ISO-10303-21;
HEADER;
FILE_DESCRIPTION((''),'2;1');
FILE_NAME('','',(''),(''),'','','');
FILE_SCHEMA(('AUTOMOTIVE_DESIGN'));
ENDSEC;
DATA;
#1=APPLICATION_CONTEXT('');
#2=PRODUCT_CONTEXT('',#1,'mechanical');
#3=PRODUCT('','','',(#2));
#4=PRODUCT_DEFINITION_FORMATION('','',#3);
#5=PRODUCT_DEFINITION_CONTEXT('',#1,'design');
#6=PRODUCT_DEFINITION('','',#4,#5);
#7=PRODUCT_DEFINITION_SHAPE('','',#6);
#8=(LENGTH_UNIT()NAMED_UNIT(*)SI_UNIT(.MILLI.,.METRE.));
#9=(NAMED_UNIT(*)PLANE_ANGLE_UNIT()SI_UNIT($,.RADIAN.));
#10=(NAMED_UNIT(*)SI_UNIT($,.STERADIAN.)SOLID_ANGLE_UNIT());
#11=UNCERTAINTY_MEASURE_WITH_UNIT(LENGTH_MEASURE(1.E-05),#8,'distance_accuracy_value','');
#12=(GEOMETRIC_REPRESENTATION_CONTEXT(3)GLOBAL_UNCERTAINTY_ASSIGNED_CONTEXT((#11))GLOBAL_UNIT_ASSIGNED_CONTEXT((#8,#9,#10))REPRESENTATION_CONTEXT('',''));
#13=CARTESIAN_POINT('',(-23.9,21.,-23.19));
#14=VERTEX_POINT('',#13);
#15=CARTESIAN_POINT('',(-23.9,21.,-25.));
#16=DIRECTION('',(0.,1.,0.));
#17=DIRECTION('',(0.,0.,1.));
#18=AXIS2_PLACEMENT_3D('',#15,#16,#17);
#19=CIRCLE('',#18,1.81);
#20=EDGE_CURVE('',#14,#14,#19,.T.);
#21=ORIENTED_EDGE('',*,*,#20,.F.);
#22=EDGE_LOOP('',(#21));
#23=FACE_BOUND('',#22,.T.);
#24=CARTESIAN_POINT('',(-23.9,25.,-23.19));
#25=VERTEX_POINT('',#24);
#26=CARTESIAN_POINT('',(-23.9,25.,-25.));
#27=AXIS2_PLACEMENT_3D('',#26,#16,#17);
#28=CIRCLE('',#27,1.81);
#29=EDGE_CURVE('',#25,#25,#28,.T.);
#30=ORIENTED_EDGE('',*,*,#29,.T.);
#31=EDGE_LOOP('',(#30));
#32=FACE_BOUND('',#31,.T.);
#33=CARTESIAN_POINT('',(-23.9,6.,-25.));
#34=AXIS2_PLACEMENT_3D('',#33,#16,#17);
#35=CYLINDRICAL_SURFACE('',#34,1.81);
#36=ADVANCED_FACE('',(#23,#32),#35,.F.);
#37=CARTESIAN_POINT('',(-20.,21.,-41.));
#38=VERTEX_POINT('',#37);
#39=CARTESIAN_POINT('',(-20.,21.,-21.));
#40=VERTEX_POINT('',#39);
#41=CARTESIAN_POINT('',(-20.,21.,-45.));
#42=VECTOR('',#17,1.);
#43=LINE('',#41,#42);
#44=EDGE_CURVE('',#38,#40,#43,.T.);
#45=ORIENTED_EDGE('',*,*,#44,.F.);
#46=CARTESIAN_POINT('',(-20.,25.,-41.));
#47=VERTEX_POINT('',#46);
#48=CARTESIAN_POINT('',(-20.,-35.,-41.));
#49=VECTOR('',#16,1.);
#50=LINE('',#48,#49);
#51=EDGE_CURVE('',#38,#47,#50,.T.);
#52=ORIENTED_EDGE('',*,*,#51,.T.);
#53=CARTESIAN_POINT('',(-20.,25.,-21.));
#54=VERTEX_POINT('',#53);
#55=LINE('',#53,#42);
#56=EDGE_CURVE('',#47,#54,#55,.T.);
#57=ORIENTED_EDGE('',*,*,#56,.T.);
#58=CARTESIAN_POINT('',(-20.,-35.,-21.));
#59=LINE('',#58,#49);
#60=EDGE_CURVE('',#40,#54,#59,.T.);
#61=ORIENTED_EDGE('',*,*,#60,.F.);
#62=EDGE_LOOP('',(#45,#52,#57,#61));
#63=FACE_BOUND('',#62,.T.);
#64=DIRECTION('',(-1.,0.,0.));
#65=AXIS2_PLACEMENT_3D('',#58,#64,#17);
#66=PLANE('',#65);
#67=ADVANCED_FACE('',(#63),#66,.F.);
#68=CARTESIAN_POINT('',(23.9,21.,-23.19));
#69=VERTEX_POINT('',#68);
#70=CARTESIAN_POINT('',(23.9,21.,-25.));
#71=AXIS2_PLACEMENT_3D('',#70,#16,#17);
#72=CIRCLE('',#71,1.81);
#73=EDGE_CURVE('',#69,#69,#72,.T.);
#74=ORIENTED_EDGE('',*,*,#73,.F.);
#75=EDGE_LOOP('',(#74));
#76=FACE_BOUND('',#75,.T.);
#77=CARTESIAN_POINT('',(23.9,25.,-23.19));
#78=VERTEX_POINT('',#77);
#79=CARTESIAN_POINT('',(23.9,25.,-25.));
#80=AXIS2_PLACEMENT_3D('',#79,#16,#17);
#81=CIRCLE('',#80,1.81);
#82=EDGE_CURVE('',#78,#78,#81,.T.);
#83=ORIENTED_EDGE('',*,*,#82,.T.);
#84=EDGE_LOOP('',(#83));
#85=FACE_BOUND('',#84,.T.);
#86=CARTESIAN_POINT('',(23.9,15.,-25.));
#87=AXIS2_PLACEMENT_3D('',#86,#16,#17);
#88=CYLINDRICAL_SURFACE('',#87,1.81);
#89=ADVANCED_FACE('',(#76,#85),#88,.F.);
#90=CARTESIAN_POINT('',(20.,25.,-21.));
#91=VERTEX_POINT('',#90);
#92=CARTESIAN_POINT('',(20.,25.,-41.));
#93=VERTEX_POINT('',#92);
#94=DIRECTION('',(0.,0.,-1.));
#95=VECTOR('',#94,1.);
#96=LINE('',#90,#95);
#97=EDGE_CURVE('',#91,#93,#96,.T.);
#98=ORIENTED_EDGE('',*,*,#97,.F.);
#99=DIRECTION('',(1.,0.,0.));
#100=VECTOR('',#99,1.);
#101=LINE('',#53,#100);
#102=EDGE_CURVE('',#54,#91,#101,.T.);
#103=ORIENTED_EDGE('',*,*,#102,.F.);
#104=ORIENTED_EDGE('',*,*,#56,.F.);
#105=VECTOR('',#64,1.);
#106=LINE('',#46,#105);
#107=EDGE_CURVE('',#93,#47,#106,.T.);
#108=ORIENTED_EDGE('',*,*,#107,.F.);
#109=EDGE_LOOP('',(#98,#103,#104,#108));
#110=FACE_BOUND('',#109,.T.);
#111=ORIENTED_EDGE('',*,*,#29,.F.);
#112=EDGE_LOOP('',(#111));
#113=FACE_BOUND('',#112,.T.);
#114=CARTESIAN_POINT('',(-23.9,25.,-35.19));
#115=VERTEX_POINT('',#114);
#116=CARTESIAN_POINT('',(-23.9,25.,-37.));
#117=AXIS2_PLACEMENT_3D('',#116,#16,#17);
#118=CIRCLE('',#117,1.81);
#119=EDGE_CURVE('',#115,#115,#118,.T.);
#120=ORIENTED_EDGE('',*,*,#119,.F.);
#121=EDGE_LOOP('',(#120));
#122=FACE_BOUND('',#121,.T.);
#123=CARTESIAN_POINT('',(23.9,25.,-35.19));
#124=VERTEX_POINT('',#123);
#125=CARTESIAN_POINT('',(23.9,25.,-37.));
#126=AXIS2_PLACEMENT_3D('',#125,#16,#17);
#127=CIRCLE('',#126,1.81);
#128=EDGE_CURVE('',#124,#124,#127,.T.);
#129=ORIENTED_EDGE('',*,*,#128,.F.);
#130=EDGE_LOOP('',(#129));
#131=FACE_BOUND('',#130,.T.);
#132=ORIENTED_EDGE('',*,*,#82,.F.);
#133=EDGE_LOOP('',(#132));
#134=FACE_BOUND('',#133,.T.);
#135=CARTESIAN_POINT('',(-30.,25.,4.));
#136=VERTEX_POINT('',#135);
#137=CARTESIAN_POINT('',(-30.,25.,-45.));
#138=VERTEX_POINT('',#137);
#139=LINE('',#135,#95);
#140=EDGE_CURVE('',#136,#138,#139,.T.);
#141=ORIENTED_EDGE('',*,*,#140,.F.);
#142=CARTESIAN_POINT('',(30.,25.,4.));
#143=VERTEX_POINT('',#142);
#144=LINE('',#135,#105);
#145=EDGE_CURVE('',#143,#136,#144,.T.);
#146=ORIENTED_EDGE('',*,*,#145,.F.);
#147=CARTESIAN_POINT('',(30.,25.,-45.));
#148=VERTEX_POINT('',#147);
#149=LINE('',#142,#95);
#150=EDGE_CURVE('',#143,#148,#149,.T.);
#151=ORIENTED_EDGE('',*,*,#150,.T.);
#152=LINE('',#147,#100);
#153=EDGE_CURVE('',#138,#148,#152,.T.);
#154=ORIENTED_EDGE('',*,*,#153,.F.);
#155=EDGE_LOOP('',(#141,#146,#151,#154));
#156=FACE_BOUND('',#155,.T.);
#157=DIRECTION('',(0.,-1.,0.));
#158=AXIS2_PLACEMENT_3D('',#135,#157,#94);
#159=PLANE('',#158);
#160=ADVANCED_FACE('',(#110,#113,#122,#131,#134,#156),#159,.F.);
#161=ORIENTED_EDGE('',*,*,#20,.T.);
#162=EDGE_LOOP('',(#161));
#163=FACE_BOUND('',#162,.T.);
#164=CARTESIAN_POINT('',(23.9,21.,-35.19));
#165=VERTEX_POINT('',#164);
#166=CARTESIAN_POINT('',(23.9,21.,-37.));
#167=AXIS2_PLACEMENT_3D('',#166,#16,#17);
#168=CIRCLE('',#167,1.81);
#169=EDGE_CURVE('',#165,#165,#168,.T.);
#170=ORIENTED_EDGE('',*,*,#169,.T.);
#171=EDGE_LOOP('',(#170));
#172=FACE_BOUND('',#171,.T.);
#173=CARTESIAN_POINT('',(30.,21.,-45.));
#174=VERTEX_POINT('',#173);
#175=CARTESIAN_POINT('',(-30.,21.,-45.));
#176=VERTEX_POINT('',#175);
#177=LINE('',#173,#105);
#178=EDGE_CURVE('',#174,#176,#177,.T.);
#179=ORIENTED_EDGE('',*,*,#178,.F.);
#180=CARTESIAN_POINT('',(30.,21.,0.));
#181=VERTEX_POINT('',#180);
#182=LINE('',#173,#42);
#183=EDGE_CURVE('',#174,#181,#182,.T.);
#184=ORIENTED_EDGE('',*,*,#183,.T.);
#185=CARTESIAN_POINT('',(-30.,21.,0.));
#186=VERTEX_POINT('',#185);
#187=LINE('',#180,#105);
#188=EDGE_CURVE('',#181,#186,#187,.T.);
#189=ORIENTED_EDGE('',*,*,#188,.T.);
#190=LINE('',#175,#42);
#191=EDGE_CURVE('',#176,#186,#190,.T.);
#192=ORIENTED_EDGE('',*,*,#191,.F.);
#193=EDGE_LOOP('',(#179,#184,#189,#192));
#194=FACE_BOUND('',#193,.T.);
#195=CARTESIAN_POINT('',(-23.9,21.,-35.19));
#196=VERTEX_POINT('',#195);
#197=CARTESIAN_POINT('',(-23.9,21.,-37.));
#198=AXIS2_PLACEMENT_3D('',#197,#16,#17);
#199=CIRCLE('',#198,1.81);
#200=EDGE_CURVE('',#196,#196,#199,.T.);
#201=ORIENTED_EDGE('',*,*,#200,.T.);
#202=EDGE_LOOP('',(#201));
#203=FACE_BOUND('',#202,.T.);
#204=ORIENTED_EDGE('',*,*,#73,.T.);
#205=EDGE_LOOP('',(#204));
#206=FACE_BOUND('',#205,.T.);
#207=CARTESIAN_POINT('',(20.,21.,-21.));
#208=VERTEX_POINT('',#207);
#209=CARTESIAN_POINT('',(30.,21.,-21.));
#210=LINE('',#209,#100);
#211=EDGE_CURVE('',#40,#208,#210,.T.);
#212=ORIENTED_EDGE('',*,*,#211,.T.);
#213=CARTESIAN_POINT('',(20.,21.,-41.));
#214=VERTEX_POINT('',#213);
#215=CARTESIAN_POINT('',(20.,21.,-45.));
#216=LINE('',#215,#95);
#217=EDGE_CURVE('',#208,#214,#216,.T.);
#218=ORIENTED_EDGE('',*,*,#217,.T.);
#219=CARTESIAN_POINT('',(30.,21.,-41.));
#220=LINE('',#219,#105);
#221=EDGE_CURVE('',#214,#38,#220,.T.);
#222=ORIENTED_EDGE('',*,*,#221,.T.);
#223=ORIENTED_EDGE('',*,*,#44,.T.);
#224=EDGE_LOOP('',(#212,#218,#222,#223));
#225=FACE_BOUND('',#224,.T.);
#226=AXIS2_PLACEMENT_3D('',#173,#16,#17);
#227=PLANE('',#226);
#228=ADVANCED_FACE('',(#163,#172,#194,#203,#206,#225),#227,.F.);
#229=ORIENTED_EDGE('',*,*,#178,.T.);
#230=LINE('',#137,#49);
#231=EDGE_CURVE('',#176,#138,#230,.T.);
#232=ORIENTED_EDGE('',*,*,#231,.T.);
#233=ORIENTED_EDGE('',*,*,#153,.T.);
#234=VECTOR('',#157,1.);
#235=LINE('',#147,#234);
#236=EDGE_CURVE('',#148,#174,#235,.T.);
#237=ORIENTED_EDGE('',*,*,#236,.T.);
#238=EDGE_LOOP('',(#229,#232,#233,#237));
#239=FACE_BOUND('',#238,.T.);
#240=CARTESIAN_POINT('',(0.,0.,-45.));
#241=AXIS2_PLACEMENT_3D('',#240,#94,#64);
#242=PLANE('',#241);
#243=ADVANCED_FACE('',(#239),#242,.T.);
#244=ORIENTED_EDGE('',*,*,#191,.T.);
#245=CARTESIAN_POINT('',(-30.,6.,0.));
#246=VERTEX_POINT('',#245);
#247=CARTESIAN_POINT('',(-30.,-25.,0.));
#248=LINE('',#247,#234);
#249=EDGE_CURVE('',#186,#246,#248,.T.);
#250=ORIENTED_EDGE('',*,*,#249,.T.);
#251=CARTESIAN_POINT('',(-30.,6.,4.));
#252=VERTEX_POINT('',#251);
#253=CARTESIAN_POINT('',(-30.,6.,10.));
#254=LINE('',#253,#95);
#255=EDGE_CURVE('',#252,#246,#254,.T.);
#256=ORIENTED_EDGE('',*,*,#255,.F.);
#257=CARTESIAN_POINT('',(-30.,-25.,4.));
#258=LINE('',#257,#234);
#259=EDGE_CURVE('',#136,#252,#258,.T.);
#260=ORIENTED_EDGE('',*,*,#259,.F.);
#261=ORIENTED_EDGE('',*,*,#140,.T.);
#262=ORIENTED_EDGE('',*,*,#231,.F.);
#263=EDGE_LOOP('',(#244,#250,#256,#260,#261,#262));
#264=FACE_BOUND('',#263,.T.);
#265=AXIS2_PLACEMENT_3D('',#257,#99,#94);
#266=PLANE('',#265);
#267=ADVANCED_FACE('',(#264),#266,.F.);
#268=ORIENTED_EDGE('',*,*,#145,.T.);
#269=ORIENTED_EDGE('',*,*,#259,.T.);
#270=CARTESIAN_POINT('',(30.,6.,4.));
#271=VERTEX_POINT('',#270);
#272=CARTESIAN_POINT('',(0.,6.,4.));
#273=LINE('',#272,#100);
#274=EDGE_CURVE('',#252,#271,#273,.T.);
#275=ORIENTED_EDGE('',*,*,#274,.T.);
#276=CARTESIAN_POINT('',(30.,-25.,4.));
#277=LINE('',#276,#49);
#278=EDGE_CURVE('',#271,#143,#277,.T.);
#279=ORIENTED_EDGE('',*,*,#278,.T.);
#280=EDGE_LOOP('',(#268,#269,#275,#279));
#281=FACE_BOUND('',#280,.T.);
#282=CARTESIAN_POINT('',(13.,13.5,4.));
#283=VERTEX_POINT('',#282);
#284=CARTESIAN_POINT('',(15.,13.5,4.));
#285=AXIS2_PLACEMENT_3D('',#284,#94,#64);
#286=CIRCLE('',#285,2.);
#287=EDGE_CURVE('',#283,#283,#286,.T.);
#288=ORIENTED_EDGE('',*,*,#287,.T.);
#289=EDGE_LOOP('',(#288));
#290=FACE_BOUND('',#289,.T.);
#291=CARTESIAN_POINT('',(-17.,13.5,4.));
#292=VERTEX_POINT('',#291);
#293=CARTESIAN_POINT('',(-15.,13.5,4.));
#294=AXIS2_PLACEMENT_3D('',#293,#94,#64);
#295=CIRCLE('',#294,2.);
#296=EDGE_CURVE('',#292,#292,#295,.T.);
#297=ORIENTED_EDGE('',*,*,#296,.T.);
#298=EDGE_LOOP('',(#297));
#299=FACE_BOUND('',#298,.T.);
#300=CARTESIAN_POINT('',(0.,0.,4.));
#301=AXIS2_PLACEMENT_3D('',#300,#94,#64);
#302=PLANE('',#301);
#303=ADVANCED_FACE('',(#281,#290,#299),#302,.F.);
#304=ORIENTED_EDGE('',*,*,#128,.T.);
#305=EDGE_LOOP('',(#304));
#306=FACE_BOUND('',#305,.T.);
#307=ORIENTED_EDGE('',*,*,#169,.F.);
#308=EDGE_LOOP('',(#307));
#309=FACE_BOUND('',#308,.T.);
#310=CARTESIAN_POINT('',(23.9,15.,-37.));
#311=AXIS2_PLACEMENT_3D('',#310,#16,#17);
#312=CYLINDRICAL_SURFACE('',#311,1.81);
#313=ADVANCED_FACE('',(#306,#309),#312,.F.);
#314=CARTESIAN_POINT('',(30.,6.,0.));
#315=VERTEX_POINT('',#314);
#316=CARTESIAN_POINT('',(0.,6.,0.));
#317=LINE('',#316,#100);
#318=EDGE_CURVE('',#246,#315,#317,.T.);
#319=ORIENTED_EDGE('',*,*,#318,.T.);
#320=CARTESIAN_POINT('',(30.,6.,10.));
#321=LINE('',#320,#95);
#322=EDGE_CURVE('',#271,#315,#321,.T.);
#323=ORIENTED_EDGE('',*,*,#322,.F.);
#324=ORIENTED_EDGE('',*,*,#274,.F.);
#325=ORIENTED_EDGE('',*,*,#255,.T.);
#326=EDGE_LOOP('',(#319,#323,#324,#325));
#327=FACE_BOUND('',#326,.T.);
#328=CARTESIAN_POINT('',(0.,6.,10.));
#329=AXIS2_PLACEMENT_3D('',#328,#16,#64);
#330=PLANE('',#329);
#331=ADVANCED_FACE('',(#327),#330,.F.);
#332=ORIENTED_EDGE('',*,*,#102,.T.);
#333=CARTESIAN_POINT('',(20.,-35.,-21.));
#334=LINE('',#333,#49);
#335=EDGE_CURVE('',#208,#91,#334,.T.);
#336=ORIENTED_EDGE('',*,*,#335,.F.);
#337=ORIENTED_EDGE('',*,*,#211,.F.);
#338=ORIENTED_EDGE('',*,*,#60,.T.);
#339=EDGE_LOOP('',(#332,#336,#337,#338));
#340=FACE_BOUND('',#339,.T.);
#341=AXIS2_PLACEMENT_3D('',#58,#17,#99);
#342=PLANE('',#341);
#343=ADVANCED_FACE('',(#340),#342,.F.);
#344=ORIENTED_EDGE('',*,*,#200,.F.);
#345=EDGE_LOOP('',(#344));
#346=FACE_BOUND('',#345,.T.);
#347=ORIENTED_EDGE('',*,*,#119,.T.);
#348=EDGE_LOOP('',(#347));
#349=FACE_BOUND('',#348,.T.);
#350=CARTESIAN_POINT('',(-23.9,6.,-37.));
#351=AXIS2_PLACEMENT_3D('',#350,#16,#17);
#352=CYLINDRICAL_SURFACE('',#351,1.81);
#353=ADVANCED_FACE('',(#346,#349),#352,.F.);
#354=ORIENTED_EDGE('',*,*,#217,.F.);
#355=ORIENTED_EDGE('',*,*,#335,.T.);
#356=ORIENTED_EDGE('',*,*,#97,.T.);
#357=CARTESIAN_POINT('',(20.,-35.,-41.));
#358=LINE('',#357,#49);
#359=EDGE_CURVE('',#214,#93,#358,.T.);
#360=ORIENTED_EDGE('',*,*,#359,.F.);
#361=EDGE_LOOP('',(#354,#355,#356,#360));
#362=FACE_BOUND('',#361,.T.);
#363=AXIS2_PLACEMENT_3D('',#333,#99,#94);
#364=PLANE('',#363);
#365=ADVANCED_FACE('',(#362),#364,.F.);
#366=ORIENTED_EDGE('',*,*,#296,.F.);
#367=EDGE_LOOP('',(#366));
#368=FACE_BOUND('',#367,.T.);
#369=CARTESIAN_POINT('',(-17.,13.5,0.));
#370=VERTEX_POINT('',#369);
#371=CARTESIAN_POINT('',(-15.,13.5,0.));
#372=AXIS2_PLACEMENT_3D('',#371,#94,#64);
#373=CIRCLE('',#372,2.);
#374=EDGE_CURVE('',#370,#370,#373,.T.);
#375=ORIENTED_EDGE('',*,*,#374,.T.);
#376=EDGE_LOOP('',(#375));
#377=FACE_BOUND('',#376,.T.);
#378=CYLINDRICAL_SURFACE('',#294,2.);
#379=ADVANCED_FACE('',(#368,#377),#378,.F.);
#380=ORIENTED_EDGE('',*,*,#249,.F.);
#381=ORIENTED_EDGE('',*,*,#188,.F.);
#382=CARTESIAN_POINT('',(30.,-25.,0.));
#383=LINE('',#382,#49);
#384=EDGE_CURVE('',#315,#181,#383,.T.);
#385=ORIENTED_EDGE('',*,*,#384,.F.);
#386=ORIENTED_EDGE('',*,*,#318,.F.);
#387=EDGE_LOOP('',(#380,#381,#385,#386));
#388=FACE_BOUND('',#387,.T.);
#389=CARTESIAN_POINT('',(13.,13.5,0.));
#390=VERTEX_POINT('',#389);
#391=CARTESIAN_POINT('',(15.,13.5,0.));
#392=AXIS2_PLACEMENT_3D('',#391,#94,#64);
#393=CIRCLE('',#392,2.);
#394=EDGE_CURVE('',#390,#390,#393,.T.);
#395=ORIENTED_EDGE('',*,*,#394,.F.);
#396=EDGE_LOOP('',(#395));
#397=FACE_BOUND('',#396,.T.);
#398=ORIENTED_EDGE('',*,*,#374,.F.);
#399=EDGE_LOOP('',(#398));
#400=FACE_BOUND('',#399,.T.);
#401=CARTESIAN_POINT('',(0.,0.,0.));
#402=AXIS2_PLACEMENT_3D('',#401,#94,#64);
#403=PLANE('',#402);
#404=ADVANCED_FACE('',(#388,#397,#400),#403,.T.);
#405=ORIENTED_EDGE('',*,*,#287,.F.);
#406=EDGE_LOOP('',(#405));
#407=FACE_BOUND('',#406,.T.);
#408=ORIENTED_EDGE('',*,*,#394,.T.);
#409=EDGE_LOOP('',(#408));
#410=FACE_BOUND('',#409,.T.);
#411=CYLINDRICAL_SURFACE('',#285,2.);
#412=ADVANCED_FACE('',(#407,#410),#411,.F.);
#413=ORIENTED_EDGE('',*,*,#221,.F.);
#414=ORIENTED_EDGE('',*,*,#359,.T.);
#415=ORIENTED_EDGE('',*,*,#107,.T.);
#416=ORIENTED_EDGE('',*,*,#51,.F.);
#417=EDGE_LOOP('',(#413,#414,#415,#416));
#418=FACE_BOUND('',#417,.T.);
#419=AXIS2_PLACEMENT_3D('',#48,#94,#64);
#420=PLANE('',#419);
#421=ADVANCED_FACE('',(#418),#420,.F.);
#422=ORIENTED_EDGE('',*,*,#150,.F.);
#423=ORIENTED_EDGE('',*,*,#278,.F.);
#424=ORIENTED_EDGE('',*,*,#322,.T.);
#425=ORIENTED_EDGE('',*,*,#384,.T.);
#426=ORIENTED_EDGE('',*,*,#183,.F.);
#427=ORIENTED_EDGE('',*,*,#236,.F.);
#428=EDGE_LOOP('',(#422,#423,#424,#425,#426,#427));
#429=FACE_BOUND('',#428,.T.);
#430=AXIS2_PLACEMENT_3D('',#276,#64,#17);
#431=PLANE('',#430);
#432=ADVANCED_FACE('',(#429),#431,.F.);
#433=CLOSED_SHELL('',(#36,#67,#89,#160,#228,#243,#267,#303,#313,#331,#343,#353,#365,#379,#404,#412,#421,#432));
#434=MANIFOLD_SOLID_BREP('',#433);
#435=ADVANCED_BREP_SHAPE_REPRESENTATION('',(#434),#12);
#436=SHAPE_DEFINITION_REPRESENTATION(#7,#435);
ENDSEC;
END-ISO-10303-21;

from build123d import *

# Parameters (mm, degrees)
SKETCH1_W           = 60
SKETCH1_H           = 50
BOSS_EXTRUDE1_DEPTH = 4
SKETCH2_W           = 60
SKETCH2_H           = 4
BOSS_EXTRUDE2_DEPTH = 45
SKETCH3_W           = 40
SKETCH3_H           = 20
CUT_EXTRUDE1_DEPTH  = 60
SKETCH4_W           = 60
SKETCH4_H           = 31
CUT_EXTRUDE2_DEPTH  = 10
SKETCH5_R           = 2
CUT_EXTRUDE3_DEPTH  = 60.581876439
SKETCH6_R           = 1.81
CUT_EXTRUDE4_DEPTH  = 10
SKETCH7_R           = 1.81
CUT_EXTRUDE5_DEPTH  = 58.323642592


with BuildPart() as part:
    # Sketch1 → Boss-Extrude1 (new body)
    with BuildSketch(Plane.XY):
        Rectangle(SKETCH1_W, SKETCH1_H)
    extrude(amount=BOSS_EXTRUDE1_DEPTH)

    # Sketch2 → Boss-Extrude2 (add)
    with BuildSketch(Plane(origin=(0, 0, 0), x_dir=(-1, 0, 0), z_dir=(0, 0, -1))):
        with Locations((0, 23)):
            Rectangle(SKETCH2_W, SKETCH2_H)
    extrude(amount=BOSS_EXTRUDE2_DEPTH)

    # Sketch3 → Cut-Extrude1 (cut)
    with BuildSketch(Plane(origin=(0, 25, 0), x_dir=(1, 0, 0), z_dir=(0, 1, 0))):
        with Locations((0, 31)):
            Rectangle(SKETCH3_W, SKETCH3_H)
    extrude(amount=-CUT_EXTRUDE1_DEPTH, mode=Mode.SUBTRACT)

    # Sketch4 → Cut-Extrude2 (cut)
    with BuildSketch(Plane(origin=(0, 0, 0), x_dir=(-1, 0, 0), z_dir=(0, 0, -1))):
        with Locations((0, -9.5)):
            Rectangle(SKETCH4_W, SKETCH4_H)
    extrude(amount=-CUT_EXTRUDE2_DEPTH, mode=Mode.SUBTRACT)

    # Sketch5 → Cut-Extrude3 (cut, through all)
    with BuildSketch(Plane(origin=(0, 0, 0), x_dir=(-1, 0, 0), z_dir=(0, 0, -1))):
        with Locations((-15, 13.5)):
            Circle(SKETCH5_R)
        with Locations((15, 13.5)):
            Circle(SKETCH5_R)
    extrude(amount=-CUT_EXTRUDE3_DEPTH, mode=Mode.SUBTRACT)

    # Sketch6 → Cut-Extrude4 (cut)
    with BuildSketch(Plane(origin=(0, 25, 0), x_dir=(1, 0, 0), z_dir=(0, 1, 0))):
        with Locations(Location((23.9, 25, 0), (0, 0, 270))):
            Circle(SKETCH6_R)
        with Locations(Location((23.9, 37, 0), (0, 0, 270))):
            Circle(SKETCH6_R)
    extrude(amount=-CUT_EXTRUDE4_DEPTH, mode=Mode.SUBTRACT)

    # Sketch7 → Cut-Extrude5 (cut, through all)
    with BuildSketch(Plane(origin=(0, 25, 0), x_dir=(1, 0, 0), z_dir=(0, 1, 0))):
        with Locations(Location((-23.9, 37, 0), (0, 0, 270))):
            Circle(SKETCH7_R)
        with Locations(Location((-23.9, 25, 0), (0, 0, 270))):
            Circle(SKETCH7_R)
    extrude(amount=-CUT_EXTRUDE5_DEPTH, mode=Mode.SUBTRACT)


solid = part.part
